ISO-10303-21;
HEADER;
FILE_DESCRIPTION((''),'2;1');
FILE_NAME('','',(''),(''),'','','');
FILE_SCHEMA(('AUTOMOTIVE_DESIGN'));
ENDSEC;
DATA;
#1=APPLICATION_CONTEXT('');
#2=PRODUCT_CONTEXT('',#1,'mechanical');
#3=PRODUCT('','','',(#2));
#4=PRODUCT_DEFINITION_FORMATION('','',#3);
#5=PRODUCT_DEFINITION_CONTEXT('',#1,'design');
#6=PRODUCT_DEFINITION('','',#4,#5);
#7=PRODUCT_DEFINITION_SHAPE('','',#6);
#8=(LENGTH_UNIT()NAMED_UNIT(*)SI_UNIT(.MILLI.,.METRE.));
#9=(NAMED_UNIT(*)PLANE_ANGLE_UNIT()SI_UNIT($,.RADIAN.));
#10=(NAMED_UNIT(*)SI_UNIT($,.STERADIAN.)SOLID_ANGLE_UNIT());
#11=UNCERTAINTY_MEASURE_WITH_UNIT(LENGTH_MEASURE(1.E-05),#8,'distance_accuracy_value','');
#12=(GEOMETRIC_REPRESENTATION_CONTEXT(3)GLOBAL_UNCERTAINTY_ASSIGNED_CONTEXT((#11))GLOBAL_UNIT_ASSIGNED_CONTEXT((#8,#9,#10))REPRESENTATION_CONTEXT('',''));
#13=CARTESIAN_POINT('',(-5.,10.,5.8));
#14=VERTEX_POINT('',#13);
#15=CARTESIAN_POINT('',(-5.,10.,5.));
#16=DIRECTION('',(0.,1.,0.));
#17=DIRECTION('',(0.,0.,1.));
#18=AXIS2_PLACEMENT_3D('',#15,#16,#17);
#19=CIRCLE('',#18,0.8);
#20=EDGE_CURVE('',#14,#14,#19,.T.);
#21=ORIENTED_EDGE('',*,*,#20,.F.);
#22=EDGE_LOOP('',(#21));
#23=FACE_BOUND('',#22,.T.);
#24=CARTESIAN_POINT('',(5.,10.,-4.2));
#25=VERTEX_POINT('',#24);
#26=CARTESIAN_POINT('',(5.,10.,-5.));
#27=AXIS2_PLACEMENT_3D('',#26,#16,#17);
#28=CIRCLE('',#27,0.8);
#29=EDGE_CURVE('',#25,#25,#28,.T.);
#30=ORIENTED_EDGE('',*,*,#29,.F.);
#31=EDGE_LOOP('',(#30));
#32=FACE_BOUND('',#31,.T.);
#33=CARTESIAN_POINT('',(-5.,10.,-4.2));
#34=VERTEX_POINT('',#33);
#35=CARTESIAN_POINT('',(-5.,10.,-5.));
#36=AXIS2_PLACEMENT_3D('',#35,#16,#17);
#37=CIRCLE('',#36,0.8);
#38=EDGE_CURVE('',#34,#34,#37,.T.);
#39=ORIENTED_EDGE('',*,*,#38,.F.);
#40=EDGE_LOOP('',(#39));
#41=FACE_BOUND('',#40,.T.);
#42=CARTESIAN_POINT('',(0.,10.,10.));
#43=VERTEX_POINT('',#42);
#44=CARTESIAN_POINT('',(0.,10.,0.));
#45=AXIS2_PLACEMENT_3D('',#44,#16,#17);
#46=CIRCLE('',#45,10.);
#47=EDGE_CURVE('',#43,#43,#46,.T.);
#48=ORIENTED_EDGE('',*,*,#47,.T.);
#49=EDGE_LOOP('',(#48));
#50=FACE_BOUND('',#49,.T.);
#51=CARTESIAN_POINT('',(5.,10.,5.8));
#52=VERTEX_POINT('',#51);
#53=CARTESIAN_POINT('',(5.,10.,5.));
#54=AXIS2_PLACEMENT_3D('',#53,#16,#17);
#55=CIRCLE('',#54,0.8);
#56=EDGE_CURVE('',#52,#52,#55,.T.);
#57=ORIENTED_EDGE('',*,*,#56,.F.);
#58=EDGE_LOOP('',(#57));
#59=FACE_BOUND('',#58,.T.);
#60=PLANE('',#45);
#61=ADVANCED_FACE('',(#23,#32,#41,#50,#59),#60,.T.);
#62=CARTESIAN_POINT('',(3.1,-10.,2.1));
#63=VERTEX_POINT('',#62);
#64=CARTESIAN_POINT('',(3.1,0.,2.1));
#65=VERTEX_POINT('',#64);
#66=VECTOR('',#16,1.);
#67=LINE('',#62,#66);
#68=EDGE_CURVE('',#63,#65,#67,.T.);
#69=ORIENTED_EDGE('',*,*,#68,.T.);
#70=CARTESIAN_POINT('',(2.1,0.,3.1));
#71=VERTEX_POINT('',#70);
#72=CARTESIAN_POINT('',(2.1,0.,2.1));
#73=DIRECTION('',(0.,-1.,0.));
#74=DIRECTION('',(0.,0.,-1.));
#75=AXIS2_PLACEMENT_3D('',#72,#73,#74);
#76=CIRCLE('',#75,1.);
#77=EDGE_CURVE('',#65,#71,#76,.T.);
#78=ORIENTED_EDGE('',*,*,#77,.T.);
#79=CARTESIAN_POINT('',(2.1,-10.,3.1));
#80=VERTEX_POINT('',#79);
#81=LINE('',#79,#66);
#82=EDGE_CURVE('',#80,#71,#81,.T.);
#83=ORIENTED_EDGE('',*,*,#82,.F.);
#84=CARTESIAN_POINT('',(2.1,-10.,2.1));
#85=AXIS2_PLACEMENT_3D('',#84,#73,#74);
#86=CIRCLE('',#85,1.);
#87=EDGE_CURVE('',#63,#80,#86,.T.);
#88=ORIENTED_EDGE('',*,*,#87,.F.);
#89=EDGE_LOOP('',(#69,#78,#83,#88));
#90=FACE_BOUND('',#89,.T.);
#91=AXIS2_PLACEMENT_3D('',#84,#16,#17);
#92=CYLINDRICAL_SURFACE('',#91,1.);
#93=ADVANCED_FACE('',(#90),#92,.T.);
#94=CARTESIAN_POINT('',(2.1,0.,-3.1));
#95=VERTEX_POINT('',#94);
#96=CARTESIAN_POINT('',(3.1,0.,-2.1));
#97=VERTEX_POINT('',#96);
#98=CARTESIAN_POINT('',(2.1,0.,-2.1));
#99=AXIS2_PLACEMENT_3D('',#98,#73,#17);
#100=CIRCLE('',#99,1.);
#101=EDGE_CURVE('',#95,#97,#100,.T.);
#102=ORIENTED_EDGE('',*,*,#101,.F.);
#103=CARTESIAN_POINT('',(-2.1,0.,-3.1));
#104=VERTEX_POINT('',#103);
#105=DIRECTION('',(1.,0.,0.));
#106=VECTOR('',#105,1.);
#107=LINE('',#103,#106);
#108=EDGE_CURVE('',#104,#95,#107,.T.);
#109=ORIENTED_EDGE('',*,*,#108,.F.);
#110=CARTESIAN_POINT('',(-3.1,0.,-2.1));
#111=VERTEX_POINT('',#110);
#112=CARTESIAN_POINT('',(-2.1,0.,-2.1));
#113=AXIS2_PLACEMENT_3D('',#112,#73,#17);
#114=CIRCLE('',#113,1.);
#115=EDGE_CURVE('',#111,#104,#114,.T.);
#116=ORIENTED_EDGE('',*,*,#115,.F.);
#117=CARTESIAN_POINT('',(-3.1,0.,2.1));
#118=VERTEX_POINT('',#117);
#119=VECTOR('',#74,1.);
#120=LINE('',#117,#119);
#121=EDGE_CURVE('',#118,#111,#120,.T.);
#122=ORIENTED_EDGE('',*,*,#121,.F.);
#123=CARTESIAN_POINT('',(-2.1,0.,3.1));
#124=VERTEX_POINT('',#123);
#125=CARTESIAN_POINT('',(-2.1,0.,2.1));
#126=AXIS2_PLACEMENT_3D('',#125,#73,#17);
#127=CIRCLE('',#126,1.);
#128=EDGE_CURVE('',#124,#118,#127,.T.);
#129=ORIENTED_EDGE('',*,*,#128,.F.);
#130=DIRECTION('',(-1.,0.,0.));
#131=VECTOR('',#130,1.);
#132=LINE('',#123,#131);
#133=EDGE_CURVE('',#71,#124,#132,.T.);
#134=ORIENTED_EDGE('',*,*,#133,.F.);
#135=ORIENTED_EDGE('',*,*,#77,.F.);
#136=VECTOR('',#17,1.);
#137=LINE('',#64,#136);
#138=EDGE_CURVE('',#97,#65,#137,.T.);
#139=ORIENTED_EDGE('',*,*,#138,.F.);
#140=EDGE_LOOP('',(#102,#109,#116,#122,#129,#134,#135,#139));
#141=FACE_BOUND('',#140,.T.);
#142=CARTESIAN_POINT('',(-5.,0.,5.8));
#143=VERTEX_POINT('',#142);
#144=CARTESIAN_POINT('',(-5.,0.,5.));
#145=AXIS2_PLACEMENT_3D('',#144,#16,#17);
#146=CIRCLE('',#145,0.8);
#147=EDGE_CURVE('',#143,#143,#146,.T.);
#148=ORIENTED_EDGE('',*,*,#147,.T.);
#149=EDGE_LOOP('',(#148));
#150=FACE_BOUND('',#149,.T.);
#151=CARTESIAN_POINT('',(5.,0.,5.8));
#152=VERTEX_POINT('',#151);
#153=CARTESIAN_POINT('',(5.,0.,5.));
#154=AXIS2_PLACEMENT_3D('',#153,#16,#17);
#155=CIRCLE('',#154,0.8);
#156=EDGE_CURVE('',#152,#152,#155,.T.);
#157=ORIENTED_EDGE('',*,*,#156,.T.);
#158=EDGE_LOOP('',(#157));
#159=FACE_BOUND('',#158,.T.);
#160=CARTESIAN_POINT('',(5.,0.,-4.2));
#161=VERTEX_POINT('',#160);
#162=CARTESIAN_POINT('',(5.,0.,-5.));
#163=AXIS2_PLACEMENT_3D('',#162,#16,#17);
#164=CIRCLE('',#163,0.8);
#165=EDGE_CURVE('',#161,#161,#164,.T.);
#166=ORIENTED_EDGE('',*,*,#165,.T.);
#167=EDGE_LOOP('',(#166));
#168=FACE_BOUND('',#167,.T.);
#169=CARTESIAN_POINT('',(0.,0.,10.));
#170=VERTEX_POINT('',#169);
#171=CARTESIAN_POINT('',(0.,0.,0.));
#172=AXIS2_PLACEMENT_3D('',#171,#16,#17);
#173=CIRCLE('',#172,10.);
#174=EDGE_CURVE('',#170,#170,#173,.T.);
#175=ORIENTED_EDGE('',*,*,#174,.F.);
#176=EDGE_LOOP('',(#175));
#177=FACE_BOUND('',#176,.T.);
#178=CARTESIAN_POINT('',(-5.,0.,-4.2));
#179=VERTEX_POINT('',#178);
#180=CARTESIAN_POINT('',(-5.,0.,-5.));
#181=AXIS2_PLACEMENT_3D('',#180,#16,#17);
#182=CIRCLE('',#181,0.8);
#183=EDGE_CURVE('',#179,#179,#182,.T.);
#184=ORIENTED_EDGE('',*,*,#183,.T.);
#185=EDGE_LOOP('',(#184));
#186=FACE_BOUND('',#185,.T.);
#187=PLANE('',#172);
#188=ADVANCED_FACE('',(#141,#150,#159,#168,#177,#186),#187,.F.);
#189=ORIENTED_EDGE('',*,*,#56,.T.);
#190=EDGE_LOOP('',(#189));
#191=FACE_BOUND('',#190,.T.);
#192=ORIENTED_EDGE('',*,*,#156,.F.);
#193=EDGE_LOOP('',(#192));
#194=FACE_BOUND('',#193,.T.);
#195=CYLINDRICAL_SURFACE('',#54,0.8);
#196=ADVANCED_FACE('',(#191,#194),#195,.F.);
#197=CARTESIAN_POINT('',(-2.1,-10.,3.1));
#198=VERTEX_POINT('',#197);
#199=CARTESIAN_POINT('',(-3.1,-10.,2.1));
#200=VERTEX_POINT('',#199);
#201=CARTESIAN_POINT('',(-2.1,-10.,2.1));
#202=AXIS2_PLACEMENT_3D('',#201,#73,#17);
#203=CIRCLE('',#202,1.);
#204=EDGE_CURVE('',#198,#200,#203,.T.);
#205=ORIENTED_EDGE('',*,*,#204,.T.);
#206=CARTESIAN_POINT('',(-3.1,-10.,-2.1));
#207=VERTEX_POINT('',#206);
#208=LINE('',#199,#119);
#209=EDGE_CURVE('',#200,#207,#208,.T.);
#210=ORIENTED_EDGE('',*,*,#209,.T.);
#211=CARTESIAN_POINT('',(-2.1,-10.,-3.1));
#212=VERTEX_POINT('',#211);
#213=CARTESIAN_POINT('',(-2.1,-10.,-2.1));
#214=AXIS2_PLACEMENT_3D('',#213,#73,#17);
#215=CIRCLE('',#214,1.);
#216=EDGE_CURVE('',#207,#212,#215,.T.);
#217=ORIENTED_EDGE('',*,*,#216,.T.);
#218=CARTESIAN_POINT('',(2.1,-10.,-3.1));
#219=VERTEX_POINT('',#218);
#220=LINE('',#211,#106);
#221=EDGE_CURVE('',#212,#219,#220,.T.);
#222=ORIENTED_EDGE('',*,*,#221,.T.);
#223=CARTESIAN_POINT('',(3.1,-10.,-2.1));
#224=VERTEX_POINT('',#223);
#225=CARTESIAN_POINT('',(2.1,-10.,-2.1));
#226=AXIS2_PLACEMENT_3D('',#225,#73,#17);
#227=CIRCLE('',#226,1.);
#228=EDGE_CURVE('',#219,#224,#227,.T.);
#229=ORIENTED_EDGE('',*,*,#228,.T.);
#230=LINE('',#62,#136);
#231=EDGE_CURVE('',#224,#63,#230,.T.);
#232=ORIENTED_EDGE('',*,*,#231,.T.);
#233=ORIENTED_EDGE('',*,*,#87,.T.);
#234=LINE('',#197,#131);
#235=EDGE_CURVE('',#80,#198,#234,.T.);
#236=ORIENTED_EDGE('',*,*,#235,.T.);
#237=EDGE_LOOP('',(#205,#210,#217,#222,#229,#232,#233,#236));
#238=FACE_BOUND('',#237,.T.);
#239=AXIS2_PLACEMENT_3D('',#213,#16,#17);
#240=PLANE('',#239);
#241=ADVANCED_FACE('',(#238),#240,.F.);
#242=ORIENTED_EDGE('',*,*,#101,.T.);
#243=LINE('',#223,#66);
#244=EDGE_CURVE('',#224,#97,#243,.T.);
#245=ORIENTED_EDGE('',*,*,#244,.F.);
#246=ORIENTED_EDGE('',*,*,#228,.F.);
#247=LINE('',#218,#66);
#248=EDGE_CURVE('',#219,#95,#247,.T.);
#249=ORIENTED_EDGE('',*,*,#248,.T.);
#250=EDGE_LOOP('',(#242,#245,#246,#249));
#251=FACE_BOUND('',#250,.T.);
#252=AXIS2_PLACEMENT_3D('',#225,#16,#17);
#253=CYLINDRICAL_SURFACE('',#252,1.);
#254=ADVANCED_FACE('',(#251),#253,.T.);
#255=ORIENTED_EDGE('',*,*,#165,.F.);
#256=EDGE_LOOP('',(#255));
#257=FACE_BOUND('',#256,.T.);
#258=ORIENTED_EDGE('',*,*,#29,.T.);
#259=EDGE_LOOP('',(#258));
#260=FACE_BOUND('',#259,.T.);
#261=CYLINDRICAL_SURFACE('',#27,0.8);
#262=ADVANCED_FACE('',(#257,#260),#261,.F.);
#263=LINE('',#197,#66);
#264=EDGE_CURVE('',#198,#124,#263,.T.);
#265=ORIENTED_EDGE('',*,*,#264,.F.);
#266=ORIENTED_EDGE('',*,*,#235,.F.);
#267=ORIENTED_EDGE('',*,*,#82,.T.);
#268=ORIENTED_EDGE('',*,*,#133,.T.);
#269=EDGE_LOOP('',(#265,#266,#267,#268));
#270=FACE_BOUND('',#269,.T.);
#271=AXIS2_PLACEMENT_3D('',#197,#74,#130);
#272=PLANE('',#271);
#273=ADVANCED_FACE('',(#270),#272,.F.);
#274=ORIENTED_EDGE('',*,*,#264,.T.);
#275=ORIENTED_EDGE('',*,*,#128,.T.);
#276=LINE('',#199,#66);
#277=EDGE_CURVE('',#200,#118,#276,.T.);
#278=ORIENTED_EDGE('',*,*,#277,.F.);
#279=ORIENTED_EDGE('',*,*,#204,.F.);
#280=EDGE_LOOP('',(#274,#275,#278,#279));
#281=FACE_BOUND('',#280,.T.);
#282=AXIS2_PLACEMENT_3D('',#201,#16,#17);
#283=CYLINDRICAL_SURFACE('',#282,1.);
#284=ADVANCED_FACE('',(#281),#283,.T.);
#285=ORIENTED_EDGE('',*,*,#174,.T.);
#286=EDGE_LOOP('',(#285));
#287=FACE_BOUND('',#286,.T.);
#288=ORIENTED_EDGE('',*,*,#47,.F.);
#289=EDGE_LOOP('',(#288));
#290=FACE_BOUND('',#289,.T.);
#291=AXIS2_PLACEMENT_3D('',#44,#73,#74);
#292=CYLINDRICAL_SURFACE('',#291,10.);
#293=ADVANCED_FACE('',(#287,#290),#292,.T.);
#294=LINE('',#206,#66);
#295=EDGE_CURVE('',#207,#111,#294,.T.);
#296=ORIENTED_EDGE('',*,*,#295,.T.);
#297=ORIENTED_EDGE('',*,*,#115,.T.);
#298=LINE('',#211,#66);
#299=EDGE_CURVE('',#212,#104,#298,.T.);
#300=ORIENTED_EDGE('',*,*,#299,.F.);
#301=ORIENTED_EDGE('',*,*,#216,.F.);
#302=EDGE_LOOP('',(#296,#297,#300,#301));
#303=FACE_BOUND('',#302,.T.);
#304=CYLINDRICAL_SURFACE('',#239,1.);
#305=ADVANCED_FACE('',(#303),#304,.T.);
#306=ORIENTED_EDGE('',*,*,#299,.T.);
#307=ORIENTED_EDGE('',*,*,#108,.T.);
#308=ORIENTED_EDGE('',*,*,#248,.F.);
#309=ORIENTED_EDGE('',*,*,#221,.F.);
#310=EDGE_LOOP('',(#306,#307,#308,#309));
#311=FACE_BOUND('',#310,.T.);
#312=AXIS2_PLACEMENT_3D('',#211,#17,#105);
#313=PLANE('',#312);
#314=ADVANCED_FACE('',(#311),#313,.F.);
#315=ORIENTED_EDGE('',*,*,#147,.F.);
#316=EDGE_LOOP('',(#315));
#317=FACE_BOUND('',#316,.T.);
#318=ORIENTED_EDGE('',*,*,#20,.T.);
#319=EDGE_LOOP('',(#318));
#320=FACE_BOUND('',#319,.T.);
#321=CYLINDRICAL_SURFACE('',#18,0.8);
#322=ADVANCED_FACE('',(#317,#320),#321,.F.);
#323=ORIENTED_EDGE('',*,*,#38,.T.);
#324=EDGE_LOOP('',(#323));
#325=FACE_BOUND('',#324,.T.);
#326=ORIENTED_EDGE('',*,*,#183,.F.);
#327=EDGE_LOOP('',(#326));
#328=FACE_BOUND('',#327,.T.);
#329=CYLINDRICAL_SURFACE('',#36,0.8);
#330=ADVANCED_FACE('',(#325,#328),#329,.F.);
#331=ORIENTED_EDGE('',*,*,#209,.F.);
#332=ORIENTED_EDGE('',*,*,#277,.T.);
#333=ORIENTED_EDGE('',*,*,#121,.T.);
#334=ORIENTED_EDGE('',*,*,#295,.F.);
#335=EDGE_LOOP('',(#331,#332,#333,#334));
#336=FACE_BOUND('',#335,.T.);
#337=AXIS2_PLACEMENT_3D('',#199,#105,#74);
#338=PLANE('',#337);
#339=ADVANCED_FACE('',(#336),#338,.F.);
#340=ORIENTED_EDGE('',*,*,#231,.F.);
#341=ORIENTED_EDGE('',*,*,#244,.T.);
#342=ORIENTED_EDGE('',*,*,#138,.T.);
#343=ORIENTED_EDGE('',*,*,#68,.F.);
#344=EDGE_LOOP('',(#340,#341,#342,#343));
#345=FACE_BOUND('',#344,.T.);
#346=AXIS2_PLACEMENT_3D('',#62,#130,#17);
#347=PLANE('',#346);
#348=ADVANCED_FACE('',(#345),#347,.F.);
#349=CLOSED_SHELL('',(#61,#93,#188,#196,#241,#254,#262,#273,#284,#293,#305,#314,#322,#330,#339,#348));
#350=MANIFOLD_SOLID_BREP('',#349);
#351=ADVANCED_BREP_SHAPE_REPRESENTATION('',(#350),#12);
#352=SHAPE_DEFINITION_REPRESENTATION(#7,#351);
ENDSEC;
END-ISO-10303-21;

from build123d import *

# Parameters (mm, degrees)
SKETCH1_R             = 10
BOSS_EXTRUDE1_DEPTH   = 10
M2X0_4_TAPPED_HOLE1_D = 1.6
BOSS_EXTRUDE2_DEPTH   = 10


with BuildPart() as part:
    # Sketch1 → Boss-Extrude1 (new body)
    with BuildSketch(Plane(origin=(0, 0, 0), x_dir=(1, 0, 0), z_dir=(0, 1, 0))):
        with Locations(Location((0, 0, 0), (0, 0, 270))):
            Circle(SKETCH1_R)
    extrude(amount=BOSS_EXTRUDE1_DEPTH)

    # M2x0.4 Tapped Hole1 (through all)
    with Locations(Plane(origin=(0, 10, 0), x_dir=(1, 0, 0), z_dir=(0, 1, 0))):
        with Locations((-5, 5), (5, 5), (5, -5), (-5, -5)):
            Hole(M2X0_4_TAPPED_HOLE1_D / 2)

    # Sketch5 → Boss-Extrude2 (add)
    with BuildSketch(Plane.XZ):
        with BuildLine():
            Line((-2.1, 3.1), (2.1, 3.1))
            ThreePointArc((2.1, 3.1), (2.807106781, 2.807106781), (3.1, 2.1))
            Line((3.1, 2.1), (3.1, -2.1))
            ThreePointArc((3.1, -2.1), (2.807106781, -2.807106781), (2.1, -3.1))
            Line((2.1, -3.1), (-2.1, -3.1))
            ThreePointArc((-2.1, -3.1), (-2.807106781, -2.807106781), (-3.1, -2.1))
            Line((-3.1, -2.1), (-3.1, 2.1))
            ThreePointArc((-3.1, 2.1), (-2.807106781, 2.807106781), (-2.1, 3.1))
        make_face()
    extrude(amount=BOSS_EXTRUDE2_DEPTH)


solid = part.part
